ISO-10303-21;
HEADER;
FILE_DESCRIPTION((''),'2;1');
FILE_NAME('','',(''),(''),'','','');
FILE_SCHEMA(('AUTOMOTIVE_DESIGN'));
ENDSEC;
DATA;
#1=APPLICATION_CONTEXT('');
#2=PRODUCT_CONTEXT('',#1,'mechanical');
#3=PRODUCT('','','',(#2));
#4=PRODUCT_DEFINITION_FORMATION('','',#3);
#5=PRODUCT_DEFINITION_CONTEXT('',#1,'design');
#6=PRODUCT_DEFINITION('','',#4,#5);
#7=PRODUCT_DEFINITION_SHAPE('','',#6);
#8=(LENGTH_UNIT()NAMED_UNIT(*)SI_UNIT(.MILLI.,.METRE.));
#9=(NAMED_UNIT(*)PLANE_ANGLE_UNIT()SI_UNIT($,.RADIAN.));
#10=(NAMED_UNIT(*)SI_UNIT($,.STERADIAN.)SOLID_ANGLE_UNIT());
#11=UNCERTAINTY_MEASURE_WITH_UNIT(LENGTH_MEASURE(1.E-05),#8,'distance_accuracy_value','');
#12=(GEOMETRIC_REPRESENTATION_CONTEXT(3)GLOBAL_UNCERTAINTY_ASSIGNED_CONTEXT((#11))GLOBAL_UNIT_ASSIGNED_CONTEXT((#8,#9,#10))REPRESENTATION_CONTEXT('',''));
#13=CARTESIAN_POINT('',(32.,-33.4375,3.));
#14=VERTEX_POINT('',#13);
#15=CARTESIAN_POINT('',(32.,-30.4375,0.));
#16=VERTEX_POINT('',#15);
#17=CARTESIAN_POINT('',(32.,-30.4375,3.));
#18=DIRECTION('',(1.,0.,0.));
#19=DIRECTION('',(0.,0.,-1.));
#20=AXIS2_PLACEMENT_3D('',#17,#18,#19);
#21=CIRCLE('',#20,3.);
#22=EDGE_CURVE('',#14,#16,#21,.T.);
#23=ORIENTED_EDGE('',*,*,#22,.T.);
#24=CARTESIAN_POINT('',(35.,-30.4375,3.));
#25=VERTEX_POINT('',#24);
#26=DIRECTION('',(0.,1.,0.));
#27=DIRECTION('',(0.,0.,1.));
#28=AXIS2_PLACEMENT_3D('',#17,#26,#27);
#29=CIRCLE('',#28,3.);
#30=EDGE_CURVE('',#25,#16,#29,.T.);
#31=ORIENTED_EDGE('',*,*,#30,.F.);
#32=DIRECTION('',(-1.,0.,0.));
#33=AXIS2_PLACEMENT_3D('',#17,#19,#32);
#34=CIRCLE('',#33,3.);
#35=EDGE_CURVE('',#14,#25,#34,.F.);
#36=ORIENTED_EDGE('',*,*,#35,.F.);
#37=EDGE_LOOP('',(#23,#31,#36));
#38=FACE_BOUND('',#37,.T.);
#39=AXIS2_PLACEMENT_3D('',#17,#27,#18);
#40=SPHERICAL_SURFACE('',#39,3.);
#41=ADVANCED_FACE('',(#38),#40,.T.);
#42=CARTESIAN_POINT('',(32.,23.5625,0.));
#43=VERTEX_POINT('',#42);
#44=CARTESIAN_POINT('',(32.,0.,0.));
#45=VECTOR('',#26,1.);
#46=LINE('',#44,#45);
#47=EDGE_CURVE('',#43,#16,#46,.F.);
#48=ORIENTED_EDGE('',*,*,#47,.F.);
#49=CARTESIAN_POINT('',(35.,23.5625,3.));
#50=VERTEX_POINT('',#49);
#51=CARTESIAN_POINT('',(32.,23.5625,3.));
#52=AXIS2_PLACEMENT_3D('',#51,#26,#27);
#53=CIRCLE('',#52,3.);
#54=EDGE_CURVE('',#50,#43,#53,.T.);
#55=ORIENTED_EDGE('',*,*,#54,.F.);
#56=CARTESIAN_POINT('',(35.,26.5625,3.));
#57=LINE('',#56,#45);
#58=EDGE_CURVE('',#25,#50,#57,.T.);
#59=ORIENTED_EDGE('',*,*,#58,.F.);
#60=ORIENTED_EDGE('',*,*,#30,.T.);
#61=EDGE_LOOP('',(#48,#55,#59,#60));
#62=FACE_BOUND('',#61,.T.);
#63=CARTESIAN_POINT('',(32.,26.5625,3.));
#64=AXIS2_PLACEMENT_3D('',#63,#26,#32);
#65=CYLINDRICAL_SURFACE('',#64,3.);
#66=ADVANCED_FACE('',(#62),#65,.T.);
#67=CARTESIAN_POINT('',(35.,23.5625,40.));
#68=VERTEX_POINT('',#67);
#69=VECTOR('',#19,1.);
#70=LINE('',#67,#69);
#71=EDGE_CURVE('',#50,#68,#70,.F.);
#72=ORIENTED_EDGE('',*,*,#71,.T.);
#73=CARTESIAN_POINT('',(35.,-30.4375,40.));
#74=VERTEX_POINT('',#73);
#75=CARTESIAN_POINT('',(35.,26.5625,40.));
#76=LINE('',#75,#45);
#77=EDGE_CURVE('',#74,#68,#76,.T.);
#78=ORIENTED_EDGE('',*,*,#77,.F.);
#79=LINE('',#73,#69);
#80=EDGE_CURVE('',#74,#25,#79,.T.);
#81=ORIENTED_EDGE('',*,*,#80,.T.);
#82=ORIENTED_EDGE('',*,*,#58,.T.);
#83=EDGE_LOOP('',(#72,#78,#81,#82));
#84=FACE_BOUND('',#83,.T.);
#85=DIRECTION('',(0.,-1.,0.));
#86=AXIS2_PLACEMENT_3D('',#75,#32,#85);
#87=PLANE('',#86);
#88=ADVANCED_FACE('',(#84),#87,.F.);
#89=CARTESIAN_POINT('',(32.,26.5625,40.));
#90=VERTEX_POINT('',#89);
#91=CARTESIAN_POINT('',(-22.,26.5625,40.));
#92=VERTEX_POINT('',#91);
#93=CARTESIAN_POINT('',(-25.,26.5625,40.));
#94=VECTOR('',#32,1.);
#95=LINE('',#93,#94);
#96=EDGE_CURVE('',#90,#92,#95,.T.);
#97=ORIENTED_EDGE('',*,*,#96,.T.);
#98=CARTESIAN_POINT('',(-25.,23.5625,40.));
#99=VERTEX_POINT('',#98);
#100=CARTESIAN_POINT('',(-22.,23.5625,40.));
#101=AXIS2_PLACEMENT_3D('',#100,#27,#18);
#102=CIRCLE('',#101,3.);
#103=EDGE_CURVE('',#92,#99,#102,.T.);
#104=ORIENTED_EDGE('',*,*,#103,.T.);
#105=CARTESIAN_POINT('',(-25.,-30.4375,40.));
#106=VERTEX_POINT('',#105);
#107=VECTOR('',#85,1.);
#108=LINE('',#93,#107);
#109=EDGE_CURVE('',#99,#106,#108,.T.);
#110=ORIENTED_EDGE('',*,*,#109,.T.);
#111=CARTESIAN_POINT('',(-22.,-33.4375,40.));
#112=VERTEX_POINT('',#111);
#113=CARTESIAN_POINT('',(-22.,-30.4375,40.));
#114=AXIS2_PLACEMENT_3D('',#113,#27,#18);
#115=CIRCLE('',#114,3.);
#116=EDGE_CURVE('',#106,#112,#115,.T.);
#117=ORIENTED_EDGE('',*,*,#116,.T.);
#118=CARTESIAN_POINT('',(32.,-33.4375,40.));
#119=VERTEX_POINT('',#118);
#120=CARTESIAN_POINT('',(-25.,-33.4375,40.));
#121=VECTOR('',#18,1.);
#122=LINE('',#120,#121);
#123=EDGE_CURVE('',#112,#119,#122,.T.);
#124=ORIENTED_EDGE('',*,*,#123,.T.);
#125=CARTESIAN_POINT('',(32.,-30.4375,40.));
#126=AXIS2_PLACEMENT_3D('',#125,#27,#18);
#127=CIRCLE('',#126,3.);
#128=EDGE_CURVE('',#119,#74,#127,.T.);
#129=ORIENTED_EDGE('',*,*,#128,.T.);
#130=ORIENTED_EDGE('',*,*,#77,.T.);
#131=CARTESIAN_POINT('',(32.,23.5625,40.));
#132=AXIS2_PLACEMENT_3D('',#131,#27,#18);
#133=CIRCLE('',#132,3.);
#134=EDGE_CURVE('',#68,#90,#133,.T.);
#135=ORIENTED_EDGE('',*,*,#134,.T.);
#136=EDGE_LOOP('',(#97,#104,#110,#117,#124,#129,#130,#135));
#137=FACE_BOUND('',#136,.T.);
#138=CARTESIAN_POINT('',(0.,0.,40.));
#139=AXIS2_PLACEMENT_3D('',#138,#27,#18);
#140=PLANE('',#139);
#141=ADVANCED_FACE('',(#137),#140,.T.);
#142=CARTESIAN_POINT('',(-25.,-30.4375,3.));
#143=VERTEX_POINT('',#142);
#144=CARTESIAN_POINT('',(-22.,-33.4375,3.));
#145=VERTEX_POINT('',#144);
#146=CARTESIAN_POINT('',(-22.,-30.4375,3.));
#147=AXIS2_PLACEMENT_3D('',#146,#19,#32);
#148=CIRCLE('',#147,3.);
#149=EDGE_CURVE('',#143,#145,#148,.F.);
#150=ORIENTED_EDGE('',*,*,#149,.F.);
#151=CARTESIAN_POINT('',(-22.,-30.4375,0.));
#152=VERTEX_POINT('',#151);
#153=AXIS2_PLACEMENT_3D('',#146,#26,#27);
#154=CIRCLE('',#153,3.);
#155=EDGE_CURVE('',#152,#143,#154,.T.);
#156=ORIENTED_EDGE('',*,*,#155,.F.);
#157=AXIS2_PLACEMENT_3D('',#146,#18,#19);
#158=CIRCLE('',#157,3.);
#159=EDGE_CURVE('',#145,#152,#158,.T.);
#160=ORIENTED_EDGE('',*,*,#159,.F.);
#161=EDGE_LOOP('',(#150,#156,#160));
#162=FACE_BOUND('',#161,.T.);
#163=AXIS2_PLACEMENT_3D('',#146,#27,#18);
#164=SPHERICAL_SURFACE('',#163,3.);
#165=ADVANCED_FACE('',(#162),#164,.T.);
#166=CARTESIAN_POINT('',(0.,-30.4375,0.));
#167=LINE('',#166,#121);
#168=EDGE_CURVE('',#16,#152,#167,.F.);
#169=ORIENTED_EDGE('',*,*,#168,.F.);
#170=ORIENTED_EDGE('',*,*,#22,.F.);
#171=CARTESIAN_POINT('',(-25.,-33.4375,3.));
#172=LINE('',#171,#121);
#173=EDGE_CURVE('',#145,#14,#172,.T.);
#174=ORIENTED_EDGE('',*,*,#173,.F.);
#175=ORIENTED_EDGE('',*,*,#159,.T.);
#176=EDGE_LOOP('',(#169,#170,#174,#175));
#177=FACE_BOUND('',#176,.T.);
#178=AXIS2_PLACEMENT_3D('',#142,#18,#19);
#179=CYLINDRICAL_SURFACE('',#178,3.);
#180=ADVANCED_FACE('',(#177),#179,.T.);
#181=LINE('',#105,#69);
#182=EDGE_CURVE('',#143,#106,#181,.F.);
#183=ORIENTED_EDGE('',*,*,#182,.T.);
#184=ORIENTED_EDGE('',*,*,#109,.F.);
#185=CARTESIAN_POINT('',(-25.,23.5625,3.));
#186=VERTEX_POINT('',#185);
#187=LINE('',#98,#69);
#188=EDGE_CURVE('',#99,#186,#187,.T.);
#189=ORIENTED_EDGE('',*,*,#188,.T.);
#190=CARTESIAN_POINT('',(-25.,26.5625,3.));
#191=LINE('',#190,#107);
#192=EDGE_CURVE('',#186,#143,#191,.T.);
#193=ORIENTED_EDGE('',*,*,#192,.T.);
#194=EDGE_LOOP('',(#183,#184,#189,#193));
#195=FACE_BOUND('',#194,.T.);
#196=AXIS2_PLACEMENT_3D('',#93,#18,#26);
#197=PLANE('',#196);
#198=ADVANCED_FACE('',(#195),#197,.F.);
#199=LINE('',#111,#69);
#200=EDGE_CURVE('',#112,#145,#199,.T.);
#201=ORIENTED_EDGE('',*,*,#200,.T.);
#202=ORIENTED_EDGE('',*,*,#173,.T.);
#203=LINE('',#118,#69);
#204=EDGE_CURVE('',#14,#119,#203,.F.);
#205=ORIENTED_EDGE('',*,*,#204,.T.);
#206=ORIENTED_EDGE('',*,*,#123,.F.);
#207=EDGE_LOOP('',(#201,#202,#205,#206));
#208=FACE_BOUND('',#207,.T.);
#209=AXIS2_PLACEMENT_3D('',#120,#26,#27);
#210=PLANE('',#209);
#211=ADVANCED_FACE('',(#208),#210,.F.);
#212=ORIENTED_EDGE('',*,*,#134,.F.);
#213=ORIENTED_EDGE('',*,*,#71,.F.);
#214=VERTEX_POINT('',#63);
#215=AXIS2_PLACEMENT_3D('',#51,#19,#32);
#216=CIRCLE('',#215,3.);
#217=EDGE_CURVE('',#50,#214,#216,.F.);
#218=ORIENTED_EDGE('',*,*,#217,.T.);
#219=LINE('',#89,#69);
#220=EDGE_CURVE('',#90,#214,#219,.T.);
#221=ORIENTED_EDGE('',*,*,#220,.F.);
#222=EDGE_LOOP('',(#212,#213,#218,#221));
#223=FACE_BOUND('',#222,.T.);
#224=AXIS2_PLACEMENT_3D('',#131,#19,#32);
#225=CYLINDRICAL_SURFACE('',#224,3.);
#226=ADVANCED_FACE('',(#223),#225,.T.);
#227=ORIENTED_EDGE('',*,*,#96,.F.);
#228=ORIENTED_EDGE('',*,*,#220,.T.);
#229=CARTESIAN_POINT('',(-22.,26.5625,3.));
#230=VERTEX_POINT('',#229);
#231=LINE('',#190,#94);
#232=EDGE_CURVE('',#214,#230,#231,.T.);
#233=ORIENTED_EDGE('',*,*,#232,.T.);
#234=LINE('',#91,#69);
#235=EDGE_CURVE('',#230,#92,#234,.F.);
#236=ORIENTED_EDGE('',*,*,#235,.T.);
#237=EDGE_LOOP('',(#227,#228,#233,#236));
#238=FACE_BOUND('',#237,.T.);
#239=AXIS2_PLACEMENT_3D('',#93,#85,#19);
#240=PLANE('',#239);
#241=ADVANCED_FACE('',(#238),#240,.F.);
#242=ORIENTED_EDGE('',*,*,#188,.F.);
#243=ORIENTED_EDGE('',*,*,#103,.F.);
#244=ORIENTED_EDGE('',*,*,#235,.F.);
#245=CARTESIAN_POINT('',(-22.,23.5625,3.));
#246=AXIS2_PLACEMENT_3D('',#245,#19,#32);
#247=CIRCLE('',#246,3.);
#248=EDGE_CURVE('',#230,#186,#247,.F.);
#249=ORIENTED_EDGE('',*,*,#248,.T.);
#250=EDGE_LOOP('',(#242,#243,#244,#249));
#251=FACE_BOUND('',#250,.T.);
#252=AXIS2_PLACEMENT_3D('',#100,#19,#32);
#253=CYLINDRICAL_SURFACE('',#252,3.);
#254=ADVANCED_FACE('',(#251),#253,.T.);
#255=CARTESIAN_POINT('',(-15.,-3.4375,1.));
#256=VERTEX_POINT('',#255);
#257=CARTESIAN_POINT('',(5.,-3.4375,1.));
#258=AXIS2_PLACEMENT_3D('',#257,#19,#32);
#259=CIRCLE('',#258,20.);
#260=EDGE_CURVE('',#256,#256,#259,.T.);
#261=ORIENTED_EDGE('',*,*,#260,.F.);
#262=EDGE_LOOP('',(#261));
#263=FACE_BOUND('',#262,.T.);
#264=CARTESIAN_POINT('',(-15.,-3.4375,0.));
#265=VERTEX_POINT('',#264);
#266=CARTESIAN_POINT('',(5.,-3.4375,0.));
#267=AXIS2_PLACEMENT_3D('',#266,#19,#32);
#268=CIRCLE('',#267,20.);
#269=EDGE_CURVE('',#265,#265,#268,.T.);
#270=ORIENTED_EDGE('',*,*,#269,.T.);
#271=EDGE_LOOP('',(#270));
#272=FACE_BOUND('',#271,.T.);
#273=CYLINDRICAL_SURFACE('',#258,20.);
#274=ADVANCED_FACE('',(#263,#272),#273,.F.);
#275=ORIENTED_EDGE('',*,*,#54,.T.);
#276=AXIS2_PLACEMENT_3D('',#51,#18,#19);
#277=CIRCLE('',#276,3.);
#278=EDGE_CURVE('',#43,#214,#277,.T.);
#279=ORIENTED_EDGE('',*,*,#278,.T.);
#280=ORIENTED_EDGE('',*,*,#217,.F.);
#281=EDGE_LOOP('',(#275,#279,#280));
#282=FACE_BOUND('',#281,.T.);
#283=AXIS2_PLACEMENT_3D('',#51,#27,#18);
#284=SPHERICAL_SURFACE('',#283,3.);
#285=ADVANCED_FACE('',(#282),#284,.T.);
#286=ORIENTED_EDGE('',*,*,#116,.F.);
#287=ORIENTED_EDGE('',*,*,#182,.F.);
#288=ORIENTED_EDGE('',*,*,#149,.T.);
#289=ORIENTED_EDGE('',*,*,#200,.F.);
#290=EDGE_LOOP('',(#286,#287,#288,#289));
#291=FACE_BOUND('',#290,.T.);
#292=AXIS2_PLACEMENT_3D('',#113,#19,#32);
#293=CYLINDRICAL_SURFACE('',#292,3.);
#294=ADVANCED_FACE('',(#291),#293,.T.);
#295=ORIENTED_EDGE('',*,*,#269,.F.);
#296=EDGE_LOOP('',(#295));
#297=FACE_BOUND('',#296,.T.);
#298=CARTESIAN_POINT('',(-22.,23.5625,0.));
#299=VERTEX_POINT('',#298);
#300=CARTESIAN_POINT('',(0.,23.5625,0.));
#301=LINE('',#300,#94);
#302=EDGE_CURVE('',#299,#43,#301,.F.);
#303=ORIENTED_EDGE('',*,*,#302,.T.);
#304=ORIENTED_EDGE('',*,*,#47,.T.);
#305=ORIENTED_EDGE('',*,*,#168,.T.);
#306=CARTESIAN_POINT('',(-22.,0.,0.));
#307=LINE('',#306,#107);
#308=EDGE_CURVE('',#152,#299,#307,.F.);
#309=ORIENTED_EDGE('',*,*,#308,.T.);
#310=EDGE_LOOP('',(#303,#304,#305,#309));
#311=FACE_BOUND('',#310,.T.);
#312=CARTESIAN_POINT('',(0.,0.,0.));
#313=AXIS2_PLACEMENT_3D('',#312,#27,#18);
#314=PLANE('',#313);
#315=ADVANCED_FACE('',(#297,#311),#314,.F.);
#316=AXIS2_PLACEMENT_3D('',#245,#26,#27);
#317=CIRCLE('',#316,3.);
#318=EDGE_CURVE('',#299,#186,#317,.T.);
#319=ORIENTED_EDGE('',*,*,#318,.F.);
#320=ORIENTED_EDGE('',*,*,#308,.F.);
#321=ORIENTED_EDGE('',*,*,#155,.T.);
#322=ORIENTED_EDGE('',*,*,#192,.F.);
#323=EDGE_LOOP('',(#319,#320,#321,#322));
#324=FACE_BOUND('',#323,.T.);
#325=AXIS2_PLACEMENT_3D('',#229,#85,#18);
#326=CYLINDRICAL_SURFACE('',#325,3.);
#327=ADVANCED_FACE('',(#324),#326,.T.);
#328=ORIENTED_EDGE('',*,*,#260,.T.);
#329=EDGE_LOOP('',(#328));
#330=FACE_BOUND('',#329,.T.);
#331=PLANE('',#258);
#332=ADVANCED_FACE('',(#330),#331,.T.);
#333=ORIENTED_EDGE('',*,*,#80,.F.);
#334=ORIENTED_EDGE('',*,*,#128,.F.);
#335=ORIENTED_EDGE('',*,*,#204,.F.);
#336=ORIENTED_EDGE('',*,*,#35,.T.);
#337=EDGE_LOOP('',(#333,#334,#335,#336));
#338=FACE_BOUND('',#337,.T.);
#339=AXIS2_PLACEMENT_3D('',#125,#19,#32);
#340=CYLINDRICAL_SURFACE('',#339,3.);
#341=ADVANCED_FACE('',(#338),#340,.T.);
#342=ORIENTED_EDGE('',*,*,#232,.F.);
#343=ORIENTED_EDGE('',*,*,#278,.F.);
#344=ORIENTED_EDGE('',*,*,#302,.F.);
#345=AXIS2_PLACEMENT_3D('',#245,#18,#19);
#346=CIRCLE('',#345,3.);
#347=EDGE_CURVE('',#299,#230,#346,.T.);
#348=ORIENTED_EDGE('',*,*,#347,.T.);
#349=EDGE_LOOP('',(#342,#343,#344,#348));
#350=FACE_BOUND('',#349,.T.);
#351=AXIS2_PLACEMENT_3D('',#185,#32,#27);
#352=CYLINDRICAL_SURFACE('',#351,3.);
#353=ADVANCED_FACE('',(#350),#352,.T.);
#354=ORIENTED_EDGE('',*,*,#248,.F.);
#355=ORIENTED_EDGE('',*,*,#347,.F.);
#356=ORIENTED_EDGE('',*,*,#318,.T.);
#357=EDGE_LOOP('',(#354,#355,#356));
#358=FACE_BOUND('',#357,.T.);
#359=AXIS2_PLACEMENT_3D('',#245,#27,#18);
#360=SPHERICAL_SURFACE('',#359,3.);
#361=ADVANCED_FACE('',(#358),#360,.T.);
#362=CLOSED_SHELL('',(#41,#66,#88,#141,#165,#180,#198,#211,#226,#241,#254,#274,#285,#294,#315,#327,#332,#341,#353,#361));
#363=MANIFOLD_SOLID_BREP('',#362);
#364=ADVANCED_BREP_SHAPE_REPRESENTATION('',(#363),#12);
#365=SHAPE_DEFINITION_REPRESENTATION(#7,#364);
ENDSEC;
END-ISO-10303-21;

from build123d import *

# Parameters (mm, degrees)
SKETCH1_W           = 60
SKETCH1_H           = 60
BOSS_EXTRUDE1_DEPTH = 40
FILLET1_R           = 3
FILLET2_R           = 3
SKETCH2_R           = 20
CUT_EXTRUDE1_DEPTH  = 1


with BuildPart() as part:
    # Sketch1 → Boss-Extrude1 (new body)
    with BuildSketch(Plane.XY):
        with Locations((5, -3.4375)):
            Rectangle(SKETCH1_W, SKETCH1_H)
    extrude(amount=BOSS_EXTRUDE1_DEPTH)

    # Fillet1
    fillet1_edges = [part.edges().sort_by_distance(p)[0] for p in [
        (-25, 26.5625, 20),
        (35, 26.5625, 20),
        (35, -33.4375, 20),
        (-25, -33.4375, 20),
    ]]
    fillet(fillet1_edges, radius=FILLET1_R)

    # Fillet2
    fillet2_edges = [part.edges().sort_by_distance(p)[0] for p in [
        (35, -3.4375, 0),
        (-25, -3.4375, 0),
        (5, 26.5625, 0),
        (5, -33.4375, 0),
        (34.121320344, 25.683820344, 0),
        (-24.121320344, 25.683820344, 0),
        (-24.121320344, -32.558820344, 0),
        (34.121320344, -32.558820344, 0),
    ]]
    fillet(fillet2_edges, radius=FILLET2_R)

    # Sketch2 → Cut-Extrude1 (cut)
    with BuildSketch(Plane(origin=(0, 0, 0), x_dir=(-1, 0, 0), z_dir=(0, 0, -1))):
        with Locations((-5, -3.4375)):
            Circle(SKETCH2_R)
    extrude(amount=-CUT_EXTRUDE1_DEPTH, mode=Mode.SUBTRACT)


solid = part.part
